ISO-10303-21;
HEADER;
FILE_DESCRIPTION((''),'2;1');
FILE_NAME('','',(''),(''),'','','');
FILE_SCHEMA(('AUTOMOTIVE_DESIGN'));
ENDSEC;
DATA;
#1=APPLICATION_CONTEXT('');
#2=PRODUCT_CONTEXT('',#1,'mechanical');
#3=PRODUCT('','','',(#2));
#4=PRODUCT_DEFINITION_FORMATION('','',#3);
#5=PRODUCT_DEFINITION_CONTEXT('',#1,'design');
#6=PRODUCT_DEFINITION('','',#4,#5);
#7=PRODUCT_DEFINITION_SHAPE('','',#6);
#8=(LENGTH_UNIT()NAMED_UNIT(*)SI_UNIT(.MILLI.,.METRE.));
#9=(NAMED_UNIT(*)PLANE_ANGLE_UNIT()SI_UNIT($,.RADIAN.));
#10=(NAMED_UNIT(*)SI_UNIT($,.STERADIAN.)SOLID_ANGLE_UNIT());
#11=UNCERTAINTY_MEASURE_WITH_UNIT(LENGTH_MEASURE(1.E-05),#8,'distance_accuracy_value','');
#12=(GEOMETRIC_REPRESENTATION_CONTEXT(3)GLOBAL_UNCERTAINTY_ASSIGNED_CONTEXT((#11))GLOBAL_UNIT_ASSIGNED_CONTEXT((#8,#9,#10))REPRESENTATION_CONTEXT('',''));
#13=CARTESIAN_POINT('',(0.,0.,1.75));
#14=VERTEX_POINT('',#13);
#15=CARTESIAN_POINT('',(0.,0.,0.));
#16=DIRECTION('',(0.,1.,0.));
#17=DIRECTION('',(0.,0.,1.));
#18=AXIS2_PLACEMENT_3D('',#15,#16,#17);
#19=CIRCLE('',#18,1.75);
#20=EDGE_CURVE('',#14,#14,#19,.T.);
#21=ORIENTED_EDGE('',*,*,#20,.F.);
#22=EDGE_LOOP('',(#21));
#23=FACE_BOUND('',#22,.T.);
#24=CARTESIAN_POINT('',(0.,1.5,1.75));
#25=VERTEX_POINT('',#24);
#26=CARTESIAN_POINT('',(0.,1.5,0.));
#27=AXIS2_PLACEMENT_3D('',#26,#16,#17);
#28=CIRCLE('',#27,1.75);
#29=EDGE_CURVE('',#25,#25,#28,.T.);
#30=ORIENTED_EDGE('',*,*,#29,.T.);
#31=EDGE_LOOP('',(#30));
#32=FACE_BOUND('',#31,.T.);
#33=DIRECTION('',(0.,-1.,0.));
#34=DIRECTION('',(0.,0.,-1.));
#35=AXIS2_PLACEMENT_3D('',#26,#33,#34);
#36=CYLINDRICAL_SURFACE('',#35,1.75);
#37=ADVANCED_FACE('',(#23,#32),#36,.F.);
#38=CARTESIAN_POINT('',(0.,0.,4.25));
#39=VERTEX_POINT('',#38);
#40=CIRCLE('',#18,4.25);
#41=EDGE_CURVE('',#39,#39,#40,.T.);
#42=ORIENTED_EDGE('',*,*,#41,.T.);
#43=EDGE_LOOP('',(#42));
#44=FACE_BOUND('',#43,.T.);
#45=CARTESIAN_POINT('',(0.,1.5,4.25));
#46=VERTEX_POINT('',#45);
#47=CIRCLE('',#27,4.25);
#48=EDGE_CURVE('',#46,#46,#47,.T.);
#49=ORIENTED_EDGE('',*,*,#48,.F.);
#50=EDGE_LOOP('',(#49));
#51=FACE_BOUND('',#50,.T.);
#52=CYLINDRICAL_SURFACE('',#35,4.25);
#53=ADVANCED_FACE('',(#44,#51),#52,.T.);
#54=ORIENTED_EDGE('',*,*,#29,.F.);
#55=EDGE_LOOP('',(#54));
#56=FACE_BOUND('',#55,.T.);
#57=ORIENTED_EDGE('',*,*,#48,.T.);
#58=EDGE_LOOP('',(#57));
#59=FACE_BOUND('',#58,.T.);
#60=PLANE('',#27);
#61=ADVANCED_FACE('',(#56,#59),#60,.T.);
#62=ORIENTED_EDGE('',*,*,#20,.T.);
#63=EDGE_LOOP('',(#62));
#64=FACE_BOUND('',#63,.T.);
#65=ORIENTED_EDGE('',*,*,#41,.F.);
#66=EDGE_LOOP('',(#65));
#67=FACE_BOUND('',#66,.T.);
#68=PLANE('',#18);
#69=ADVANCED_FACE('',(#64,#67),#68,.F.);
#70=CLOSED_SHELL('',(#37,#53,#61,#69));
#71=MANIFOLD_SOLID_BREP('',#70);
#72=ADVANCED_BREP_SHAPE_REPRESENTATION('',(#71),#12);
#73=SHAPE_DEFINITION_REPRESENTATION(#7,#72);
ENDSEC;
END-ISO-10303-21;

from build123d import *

# Parameters (mm, degrees)
ESBO_O1_R                = 4.25
ESBO_O1_R_2              = 1.75
RESSALTO_EXTRUS_O1_DEPTH = 1.5


with BuildPart() as part:
    # Esboço1 → Ressalto-extrusão1 (new body)
    with BuildSketch(Plane(origin=(0, 0, 0), x_dir=(1, 0, 0), z_dir=(0, 1, 0))):
        Circle(ESBO_O1_R)
        Circle(ESBO_O1_R_2, mode=Mode.SUBTRACT)
    extrude(amount=RESSALTO_EXTRUS_O1_DEPTH)


solid = part.part
